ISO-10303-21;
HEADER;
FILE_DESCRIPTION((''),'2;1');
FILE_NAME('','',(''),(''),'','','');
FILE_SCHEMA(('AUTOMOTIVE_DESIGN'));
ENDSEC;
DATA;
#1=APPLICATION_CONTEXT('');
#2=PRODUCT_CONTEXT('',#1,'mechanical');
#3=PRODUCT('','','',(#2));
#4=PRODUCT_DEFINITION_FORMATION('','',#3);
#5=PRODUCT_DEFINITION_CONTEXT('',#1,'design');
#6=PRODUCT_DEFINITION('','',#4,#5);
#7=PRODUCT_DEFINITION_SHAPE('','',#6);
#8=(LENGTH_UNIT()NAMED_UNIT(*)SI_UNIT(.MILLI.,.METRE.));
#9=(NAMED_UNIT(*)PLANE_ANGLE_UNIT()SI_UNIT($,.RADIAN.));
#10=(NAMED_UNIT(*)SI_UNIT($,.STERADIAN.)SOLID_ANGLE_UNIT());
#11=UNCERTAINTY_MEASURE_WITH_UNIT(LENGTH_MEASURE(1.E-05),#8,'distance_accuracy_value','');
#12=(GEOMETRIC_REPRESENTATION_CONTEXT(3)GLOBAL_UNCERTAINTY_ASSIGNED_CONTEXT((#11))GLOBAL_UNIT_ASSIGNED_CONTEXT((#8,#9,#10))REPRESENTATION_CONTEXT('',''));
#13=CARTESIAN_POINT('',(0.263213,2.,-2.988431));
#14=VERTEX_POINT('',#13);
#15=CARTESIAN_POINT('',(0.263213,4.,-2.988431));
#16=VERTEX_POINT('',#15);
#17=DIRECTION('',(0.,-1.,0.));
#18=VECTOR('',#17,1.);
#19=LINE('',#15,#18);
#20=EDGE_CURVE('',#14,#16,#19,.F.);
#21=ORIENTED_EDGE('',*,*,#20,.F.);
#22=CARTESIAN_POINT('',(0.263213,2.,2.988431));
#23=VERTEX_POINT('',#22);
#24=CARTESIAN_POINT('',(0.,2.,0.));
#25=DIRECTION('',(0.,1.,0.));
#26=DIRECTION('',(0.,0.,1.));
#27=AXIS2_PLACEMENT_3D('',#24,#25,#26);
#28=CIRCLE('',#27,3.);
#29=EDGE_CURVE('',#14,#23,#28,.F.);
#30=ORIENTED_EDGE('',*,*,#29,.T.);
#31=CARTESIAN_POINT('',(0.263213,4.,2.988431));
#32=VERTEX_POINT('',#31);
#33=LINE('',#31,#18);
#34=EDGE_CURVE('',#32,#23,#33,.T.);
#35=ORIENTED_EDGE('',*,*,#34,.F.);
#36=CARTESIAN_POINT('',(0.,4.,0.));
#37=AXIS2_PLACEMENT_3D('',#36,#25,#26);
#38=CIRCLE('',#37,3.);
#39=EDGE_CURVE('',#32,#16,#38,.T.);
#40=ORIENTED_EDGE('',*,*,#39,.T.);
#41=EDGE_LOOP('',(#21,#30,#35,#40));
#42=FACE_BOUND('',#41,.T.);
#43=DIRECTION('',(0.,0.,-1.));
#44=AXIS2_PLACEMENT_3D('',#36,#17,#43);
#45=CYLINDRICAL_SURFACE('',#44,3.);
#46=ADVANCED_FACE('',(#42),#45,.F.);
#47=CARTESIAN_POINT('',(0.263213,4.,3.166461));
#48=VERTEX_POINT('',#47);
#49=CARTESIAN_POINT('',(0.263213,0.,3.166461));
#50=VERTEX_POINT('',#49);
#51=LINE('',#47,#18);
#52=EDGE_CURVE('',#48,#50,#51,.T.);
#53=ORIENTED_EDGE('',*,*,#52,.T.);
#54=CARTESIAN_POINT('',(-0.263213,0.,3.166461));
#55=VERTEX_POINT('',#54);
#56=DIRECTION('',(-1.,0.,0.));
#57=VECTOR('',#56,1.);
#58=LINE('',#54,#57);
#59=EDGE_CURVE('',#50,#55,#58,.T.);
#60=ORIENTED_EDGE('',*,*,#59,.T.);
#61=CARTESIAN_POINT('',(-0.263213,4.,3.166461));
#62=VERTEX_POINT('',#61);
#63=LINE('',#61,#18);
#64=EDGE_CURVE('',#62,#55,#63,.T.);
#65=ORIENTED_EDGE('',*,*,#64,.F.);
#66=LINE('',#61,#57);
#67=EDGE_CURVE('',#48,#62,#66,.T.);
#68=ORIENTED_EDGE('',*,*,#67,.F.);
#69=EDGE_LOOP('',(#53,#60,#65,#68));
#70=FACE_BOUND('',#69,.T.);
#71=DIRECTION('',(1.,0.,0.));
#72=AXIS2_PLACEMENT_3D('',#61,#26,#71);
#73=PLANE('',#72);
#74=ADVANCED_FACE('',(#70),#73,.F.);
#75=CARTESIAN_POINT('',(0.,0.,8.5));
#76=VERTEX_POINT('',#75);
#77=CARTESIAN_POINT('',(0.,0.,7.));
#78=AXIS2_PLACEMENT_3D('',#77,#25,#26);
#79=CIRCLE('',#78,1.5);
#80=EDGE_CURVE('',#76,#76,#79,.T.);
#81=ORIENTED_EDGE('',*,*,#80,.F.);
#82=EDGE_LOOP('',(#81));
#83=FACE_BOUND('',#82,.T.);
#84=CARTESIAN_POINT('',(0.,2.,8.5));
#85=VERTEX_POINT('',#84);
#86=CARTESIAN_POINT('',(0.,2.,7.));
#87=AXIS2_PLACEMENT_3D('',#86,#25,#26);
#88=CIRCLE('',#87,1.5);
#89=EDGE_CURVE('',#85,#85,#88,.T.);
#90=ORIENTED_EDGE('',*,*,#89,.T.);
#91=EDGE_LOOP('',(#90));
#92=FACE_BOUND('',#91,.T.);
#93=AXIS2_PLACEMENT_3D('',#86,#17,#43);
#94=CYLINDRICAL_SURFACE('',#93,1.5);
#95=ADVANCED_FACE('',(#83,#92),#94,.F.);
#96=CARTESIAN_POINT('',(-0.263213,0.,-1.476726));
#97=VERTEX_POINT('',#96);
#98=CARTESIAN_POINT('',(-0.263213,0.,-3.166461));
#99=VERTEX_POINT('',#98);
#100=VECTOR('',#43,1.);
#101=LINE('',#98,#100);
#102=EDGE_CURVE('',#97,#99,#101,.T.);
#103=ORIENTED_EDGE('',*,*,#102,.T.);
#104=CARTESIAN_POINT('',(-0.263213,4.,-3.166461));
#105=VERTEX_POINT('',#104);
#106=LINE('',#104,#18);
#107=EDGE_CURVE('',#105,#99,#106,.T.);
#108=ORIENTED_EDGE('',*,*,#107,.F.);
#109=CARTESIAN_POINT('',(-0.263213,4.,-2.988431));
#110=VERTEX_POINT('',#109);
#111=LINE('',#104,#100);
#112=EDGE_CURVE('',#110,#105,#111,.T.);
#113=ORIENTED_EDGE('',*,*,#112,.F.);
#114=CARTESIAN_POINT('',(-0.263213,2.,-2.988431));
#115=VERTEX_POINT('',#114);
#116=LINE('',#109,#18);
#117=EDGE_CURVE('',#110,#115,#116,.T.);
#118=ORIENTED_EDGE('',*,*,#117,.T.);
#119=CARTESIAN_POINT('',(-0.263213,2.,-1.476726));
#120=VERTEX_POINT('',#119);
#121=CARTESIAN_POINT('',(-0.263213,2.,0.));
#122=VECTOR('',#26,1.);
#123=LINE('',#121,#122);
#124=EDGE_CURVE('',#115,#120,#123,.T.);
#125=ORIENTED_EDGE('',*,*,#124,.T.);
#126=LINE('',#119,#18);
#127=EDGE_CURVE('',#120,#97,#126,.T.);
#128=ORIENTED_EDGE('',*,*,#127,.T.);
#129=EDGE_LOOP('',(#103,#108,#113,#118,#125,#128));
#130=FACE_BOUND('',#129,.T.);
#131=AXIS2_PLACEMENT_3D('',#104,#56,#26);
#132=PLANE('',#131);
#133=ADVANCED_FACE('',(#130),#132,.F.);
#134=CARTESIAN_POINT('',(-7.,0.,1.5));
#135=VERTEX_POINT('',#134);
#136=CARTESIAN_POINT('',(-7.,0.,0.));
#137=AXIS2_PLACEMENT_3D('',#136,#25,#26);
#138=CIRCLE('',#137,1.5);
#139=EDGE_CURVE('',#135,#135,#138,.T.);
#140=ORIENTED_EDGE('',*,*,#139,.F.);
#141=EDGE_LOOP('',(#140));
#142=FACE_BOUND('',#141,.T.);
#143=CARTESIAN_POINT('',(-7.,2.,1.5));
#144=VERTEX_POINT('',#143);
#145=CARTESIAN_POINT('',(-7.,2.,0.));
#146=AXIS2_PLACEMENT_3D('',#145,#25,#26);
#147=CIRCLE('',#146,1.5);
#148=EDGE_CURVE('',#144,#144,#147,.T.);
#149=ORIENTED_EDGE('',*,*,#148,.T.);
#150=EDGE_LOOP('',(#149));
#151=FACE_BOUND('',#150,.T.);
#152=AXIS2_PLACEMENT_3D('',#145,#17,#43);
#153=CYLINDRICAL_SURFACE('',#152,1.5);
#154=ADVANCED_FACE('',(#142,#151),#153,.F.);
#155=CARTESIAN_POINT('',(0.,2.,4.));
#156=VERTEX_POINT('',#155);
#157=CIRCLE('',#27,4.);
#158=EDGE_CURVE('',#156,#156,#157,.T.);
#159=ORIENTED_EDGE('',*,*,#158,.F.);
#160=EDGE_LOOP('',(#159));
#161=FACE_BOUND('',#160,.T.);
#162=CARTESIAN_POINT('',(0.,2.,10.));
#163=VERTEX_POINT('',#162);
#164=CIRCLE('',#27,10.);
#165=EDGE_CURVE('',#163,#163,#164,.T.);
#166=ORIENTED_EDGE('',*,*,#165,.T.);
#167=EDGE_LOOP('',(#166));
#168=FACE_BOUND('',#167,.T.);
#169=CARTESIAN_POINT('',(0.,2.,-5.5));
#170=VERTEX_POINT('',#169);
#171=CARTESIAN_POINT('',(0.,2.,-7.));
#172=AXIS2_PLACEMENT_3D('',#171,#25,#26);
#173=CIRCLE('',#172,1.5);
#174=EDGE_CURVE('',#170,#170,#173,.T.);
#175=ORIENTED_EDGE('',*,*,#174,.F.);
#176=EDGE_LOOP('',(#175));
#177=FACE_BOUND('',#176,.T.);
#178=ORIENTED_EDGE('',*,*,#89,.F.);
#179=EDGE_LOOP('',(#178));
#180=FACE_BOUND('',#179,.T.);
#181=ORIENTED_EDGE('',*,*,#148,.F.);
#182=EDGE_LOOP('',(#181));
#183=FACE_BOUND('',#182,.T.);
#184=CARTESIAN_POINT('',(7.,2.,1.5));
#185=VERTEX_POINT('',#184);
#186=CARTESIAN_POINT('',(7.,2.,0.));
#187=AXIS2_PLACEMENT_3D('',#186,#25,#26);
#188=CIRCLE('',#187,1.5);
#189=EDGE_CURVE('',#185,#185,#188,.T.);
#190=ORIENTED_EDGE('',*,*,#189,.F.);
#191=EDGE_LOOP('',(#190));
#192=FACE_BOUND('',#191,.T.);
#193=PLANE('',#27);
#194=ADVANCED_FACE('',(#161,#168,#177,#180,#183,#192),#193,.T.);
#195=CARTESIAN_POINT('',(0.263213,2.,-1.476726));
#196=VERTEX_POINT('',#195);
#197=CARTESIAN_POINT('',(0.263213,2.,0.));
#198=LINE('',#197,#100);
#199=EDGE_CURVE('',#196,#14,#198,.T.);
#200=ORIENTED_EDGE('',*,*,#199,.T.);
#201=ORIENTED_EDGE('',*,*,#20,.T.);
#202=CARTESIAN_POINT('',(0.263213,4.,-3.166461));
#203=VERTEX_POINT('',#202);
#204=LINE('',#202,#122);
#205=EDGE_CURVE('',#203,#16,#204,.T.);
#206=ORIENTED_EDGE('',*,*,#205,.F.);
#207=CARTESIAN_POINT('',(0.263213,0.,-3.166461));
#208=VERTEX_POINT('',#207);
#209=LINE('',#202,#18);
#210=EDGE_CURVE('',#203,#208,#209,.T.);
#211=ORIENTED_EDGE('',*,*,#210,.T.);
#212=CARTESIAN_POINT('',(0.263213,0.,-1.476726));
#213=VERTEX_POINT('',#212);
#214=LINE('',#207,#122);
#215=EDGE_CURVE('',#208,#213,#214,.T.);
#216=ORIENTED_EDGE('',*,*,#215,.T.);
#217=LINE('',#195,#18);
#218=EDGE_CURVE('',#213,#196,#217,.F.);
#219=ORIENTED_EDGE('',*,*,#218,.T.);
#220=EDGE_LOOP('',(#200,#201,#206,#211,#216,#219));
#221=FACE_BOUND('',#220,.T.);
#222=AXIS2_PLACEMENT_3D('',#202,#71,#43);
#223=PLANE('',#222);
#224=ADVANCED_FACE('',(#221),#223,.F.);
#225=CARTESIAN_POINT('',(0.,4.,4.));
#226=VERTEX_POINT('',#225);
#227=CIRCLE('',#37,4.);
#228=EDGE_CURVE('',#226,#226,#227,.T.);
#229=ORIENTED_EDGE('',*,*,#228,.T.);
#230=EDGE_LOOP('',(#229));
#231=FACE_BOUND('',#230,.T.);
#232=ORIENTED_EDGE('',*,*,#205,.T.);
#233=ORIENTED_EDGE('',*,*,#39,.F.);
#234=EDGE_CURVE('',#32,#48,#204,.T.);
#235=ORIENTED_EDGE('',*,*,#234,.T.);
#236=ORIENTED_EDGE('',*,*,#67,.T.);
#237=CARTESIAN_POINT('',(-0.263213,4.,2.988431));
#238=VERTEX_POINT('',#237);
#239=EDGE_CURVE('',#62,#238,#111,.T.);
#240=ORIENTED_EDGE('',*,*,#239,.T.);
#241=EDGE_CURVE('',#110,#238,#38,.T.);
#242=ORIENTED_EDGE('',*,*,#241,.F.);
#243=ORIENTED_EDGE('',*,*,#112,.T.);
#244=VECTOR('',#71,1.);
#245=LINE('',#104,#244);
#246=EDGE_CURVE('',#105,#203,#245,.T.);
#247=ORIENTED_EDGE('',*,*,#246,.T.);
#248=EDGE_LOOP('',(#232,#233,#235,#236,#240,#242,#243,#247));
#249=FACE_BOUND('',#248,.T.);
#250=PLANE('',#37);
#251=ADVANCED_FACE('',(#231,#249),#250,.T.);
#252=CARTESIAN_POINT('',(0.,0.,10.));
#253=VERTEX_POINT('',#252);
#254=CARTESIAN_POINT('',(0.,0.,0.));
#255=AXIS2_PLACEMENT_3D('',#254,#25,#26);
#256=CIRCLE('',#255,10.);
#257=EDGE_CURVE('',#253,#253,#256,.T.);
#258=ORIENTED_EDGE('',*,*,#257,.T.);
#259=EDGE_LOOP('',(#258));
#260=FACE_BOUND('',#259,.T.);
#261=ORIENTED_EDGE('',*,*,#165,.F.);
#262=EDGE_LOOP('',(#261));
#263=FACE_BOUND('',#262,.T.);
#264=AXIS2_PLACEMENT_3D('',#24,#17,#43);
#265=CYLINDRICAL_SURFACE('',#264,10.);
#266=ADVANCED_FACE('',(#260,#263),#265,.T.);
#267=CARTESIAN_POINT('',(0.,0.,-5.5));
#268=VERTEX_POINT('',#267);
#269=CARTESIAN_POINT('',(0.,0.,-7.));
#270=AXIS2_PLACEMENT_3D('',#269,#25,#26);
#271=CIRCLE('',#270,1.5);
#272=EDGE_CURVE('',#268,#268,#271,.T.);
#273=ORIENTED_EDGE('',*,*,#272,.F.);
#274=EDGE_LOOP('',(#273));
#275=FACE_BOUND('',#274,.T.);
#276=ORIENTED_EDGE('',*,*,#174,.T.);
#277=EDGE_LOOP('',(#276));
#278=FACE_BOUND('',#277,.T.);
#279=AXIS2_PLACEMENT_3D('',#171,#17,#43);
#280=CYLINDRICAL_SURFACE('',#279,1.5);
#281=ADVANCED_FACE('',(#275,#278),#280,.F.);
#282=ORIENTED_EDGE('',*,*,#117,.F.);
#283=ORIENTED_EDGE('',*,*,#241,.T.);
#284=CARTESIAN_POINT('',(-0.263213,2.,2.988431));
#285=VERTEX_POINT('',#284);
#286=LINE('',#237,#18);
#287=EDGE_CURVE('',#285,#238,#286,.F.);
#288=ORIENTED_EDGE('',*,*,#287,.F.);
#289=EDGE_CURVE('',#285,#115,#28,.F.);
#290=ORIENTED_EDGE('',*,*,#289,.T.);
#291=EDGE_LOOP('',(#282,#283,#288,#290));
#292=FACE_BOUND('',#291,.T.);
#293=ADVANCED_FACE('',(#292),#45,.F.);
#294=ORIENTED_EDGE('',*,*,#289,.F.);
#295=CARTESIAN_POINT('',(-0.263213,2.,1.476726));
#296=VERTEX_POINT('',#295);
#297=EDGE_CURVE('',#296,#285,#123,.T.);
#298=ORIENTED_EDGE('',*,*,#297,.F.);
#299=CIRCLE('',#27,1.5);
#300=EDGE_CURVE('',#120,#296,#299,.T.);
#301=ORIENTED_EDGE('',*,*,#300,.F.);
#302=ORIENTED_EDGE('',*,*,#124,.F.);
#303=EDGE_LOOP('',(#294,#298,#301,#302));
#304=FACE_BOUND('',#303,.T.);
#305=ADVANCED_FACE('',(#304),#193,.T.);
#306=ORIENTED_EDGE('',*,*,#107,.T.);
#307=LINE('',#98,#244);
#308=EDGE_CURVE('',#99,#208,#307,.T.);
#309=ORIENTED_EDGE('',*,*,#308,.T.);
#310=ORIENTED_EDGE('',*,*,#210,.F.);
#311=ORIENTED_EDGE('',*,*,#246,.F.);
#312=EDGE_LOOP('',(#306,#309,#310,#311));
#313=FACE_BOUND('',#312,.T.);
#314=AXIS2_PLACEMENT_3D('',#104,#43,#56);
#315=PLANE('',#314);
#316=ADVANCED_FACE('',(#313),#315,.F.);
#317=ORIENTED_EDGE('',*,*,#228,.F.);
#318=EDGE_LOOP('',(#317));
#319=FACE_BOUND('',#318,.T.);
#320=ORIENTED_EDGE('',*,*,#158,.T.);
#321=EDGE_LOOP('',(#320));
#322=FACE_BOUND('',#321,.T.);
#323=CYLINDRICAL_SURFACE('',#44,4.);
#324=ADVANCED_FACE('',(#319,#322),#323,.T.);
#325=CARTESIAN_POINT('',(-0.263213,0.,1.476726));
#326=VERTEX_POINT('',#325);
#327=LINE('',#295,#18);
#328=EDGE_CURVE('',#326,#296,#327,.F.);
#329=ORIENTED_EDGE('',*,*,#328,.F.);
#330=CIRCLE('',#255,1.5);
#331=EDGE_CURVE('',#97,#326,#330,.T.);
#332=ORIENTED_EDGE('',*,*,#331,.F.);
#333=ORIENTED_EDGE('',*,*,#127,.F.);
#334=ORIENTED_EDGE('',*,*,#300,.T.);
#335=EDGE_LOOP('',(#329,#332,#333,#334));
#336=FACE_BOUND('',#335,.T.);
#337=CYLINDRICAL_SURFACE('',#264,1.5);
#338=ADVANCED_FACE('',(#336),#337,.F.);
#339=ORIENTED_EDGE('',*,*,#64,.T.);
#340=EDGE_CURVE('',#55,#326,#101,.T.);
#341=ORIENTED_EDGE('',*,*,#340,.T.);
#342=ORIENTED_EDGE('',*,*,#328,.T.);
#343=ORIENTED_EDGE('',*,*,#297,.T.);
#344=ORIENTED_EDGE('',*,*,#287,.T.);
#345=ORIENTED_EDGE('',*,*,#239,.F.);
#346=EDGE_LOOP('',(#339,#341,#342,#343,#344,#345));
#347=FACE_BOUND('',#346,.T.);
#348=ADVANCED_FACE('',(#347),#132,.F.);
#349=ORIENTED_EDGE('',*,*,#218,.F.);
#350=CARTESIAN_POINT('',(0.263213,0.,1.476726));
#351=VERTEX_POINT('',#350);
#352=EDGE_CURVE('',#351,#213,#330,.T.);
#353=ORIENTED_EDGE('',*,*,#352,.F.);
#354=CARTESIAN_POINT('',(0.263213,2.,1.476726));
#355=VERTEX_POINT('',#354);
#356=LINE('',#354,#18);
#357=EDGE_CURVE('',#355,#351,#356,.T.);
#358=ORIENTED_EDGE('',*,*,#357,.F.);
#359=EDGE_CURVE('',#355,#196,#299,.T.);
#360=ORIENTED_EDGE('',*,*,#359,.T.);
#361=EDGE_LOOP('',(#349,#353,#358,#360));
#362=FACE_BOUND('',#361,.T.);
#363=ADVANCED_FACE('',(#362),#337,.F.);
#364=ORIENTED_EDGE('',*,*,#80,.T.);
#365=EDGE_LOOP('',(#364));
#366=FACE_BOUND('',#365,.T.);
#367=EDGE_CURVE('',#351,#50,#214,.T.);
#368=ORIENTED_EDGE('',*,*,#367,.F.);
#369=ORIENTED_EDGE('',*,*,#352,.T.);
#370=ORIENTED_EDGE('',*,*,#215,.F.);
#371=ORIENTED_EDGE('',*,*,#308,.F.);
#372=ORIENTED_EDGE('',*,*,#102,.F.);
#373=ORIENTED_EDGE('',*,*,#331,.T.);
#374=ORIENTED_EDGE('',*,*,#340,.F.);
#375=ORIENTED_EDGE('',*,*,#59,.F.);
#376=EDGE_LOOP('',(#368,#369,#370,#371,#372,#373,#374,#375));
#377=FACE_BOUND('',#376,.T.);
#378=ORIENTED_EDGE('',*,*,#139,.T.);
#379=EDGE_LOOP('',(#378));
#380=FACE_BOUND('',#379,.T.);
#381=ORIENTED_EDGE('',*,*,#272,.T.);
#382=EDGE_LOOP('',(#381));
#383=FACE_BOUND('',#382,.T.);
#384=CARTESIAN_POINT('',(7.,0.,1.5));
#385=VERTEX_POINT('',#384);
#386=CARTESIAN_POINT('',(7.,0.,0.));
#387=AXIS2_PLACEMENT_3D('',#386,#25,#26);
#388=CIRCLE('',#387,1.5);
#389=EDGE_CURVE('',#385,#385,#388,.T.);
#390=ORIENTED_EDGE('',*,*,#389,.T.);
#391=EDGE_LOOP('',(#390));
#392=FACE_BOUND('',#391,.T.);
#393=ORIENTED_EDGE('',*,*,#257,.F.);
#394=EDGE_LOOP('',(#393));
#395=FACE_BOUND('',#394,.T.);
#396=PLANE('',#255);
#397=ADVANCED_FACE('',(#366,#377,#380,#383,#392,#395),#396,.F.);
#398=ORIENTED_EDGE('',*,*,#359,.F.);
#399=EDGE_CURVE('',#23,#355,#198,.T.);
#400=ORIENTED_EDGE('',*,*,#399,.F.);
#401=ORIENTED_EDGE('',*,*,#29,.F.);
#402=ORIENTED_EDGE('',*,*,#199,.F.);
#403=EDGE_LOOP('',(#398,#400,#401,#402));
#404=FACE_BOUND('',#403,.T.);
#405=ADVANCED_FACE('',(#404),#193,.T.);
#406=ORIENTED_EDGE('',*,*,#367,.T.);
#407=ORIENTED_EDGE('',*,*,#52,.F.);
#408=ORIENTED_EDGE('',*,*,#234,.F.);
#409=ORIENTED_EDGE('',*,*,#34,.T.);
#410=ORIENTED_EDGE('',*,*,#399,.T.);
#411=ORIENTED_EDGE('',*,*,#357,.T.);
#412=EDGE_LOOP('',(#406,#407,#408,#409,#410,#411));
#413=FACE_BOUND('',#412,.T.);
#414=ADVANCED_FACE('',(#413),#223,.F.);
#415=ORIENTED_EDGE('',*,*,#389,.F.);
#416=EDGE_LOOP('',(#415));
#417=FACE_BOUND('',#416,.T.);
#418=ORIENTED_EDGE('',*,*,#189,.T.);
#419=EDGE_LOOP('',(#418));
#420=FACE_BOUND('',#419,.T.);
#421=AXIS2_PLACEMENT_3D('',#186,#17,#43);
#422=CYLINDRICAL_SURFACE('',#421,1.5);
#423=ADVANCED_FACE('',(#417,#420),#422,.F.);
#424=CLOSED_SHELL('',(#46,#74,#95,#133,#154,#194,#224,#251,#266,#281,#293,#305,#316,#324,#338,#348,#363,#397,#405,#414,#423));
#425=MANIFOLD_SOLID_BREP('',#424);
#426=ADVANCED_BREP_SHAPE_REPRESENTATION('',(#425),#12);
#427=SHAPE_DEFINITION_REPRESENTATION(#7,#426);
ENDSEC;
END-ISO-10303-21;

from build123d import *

# Parameters (mm, degrees)
SKETCH_1_R          = 10
SKETCH_1_R_2        = 1.5
EXTRUDE_1_DEPTH     = 2
SKETCH_2_R          = 4
SKETCH_2_R_2        = 3
EXTRUDE_2_DEPTH     = 2
SKETCH_3_W          = 0.526425496
SKETCH_3_H          = 6.332921184
CUT_EXTRUDE_1_DEPTH = 4


with BuildPart() as part:
    # 草图1 → 凸台-拉伸1 (new body)
    with BuildSketch(Plane(origin=(0, 0, 0), x_dir=(1, 0, 0), z_dir=(0, 1, 0))):
        with Locations(Location((0, 0, 0), (0, 0, 270))):
            Circle(SKETCH_1_R)
        with Locations(Location((7, 0, 0), (0, 0, 270))):
            Circle(SKETCH_1_R_2, mode=Mode.SUBTRACT)
        with Locations(Location((0, 0, 0), (0, 0, 270))):
            Circle(SKETCH_1_R_2, mode=Mode.SUBTRACT)
        with Locations(Location((0, -7, 0), (0, 0, 270))):
            Circle(SKETCH_1_R_2, mode=Mode.SUBTRACT)
        with Locations(Location((-7, 0, 0), (0, 0, 270))):
            Circle(SKETCH_1_R_2, mode=Mode.SUBTRACT)
        with Locations(Location((0, 7, 0), (0, 0, 270))):
            Circle(SKETCH_1_R_2, mode=Mode.SUBTRACT)
    extrude(amount=EXTRUDE_1_DEPTH)

    # 草图2 → 凸台-拉伸2 (add)
    with BuildSketch(Plane(origin=(0, 2, 0), x_dir=(1, 0, 0), z_dir=(0, 1, 0))):
        with Locations(Location((0, 0, 0), (0, 0, 270))):
            Circle(SKETCH_2_R)
        with Locations(Location((0, 0, 0), (0, 0, 270))):
            Circle(SKETCH_2_R_2, mode=Mode.SUBTRACT)
    extrude(amount=EXTRUDE_2_DEPTH)

    # 草图3 → 切除-拉伸1 (cut)
    with BuildSketch(Plane.XZ):
        Rectangle(SKETCH_3_W, SKETCH_3_H)
    extrude(amount=-CUT_EXTRUDE_1_DEPTH, mode=Mode.SUBTRACT)


solid = part.part
